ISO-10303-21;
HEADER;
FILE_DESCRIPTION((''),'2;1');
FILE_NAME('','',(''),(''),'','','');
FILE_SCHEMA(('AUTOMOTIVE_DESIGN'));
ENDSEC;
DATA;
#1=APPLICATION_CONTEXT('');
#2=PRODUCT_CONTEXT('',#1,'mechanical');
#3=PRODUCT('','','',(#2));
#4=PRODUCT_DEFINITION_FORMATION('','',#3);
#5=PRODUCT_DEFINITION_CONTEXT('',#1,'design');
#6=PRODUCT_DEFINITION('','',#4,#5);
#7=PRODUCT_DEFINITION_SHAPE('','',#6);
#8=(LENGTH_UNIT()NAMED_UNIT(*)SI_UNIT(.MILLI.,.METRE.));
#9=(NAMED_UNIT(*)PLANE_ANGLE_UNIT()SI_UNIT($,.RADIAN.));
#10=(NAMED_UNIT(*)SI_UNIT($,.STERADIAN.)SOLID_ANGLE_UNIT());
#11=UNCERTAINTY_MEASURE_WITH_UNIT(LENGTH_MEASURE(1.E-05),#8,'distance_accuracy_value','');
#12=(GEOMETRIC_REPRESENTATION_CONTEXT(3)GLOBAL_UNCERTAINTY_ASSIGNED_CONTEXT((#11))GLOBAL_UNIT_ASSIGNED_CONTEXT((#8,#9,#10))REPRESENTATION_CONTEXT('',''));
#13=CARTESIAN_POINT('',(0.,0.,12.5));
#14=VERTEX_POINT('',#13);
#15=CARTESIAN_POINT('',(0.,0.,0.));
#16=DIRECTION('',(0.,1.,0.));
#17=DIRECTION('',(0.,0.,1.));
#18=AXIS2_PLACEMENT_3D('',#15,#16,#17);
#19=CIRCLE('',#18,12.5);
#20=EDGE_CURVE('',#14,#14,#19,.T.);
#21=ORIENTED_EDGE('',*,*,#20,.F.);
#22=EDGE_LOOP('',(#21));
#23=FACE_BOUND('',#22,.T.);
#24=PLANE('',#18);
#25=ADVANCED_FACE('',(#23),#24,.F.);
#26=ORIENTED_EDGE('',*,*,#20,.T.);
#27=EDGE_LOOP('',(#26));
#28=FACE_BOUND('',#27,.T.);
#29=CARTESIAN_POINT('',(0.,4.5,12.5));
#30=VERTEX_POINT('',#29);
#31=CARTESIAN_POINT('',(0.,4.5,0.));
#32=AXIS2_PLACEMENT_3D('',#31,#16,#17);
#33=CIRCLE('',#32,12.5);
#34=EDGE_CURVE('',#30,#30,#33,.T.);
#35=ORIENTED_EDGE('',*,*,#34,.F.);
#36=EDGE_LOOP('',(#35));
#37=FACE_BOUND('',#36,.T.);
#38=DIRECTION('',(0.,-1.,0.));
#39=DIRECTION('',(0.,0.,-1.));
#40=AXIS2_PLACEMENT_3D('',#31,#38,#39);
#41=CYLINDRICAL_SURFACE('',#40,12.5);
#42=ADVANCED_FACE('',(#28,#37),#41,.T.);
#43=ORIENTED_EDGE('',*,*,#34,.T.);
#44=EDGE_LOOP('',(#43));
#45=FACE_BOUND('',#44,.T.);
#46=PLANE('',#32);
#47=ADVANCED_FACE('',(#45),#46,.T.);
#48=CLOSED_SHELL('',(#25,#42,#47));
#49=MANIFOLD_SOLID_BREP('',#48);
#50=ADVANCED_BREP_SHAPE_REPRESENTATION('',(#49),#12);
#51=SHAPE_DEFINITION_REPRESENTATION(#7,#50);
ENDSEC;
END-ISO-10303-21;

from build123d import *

# Parameters (mm, degrees)
SKETCH_1_R      = 12.5
EXTRUDE_1_DEPTH = 4.5


with BuildPart() as part:
    # 草图1 → 凸台-拉伸1 (new body)
    with BuildSketch(Plane(origin=(0, 0, 0), x_dir=(1, 0, 0), z_dir=(0, 1, 0))):
        with Locations(Location((0, 0, 0), (0, 0, 270))):
            Circle(SKETCH_1_R)
    extrude(amount=EXTRUDE_1_DEPTH)


solid = part.part
